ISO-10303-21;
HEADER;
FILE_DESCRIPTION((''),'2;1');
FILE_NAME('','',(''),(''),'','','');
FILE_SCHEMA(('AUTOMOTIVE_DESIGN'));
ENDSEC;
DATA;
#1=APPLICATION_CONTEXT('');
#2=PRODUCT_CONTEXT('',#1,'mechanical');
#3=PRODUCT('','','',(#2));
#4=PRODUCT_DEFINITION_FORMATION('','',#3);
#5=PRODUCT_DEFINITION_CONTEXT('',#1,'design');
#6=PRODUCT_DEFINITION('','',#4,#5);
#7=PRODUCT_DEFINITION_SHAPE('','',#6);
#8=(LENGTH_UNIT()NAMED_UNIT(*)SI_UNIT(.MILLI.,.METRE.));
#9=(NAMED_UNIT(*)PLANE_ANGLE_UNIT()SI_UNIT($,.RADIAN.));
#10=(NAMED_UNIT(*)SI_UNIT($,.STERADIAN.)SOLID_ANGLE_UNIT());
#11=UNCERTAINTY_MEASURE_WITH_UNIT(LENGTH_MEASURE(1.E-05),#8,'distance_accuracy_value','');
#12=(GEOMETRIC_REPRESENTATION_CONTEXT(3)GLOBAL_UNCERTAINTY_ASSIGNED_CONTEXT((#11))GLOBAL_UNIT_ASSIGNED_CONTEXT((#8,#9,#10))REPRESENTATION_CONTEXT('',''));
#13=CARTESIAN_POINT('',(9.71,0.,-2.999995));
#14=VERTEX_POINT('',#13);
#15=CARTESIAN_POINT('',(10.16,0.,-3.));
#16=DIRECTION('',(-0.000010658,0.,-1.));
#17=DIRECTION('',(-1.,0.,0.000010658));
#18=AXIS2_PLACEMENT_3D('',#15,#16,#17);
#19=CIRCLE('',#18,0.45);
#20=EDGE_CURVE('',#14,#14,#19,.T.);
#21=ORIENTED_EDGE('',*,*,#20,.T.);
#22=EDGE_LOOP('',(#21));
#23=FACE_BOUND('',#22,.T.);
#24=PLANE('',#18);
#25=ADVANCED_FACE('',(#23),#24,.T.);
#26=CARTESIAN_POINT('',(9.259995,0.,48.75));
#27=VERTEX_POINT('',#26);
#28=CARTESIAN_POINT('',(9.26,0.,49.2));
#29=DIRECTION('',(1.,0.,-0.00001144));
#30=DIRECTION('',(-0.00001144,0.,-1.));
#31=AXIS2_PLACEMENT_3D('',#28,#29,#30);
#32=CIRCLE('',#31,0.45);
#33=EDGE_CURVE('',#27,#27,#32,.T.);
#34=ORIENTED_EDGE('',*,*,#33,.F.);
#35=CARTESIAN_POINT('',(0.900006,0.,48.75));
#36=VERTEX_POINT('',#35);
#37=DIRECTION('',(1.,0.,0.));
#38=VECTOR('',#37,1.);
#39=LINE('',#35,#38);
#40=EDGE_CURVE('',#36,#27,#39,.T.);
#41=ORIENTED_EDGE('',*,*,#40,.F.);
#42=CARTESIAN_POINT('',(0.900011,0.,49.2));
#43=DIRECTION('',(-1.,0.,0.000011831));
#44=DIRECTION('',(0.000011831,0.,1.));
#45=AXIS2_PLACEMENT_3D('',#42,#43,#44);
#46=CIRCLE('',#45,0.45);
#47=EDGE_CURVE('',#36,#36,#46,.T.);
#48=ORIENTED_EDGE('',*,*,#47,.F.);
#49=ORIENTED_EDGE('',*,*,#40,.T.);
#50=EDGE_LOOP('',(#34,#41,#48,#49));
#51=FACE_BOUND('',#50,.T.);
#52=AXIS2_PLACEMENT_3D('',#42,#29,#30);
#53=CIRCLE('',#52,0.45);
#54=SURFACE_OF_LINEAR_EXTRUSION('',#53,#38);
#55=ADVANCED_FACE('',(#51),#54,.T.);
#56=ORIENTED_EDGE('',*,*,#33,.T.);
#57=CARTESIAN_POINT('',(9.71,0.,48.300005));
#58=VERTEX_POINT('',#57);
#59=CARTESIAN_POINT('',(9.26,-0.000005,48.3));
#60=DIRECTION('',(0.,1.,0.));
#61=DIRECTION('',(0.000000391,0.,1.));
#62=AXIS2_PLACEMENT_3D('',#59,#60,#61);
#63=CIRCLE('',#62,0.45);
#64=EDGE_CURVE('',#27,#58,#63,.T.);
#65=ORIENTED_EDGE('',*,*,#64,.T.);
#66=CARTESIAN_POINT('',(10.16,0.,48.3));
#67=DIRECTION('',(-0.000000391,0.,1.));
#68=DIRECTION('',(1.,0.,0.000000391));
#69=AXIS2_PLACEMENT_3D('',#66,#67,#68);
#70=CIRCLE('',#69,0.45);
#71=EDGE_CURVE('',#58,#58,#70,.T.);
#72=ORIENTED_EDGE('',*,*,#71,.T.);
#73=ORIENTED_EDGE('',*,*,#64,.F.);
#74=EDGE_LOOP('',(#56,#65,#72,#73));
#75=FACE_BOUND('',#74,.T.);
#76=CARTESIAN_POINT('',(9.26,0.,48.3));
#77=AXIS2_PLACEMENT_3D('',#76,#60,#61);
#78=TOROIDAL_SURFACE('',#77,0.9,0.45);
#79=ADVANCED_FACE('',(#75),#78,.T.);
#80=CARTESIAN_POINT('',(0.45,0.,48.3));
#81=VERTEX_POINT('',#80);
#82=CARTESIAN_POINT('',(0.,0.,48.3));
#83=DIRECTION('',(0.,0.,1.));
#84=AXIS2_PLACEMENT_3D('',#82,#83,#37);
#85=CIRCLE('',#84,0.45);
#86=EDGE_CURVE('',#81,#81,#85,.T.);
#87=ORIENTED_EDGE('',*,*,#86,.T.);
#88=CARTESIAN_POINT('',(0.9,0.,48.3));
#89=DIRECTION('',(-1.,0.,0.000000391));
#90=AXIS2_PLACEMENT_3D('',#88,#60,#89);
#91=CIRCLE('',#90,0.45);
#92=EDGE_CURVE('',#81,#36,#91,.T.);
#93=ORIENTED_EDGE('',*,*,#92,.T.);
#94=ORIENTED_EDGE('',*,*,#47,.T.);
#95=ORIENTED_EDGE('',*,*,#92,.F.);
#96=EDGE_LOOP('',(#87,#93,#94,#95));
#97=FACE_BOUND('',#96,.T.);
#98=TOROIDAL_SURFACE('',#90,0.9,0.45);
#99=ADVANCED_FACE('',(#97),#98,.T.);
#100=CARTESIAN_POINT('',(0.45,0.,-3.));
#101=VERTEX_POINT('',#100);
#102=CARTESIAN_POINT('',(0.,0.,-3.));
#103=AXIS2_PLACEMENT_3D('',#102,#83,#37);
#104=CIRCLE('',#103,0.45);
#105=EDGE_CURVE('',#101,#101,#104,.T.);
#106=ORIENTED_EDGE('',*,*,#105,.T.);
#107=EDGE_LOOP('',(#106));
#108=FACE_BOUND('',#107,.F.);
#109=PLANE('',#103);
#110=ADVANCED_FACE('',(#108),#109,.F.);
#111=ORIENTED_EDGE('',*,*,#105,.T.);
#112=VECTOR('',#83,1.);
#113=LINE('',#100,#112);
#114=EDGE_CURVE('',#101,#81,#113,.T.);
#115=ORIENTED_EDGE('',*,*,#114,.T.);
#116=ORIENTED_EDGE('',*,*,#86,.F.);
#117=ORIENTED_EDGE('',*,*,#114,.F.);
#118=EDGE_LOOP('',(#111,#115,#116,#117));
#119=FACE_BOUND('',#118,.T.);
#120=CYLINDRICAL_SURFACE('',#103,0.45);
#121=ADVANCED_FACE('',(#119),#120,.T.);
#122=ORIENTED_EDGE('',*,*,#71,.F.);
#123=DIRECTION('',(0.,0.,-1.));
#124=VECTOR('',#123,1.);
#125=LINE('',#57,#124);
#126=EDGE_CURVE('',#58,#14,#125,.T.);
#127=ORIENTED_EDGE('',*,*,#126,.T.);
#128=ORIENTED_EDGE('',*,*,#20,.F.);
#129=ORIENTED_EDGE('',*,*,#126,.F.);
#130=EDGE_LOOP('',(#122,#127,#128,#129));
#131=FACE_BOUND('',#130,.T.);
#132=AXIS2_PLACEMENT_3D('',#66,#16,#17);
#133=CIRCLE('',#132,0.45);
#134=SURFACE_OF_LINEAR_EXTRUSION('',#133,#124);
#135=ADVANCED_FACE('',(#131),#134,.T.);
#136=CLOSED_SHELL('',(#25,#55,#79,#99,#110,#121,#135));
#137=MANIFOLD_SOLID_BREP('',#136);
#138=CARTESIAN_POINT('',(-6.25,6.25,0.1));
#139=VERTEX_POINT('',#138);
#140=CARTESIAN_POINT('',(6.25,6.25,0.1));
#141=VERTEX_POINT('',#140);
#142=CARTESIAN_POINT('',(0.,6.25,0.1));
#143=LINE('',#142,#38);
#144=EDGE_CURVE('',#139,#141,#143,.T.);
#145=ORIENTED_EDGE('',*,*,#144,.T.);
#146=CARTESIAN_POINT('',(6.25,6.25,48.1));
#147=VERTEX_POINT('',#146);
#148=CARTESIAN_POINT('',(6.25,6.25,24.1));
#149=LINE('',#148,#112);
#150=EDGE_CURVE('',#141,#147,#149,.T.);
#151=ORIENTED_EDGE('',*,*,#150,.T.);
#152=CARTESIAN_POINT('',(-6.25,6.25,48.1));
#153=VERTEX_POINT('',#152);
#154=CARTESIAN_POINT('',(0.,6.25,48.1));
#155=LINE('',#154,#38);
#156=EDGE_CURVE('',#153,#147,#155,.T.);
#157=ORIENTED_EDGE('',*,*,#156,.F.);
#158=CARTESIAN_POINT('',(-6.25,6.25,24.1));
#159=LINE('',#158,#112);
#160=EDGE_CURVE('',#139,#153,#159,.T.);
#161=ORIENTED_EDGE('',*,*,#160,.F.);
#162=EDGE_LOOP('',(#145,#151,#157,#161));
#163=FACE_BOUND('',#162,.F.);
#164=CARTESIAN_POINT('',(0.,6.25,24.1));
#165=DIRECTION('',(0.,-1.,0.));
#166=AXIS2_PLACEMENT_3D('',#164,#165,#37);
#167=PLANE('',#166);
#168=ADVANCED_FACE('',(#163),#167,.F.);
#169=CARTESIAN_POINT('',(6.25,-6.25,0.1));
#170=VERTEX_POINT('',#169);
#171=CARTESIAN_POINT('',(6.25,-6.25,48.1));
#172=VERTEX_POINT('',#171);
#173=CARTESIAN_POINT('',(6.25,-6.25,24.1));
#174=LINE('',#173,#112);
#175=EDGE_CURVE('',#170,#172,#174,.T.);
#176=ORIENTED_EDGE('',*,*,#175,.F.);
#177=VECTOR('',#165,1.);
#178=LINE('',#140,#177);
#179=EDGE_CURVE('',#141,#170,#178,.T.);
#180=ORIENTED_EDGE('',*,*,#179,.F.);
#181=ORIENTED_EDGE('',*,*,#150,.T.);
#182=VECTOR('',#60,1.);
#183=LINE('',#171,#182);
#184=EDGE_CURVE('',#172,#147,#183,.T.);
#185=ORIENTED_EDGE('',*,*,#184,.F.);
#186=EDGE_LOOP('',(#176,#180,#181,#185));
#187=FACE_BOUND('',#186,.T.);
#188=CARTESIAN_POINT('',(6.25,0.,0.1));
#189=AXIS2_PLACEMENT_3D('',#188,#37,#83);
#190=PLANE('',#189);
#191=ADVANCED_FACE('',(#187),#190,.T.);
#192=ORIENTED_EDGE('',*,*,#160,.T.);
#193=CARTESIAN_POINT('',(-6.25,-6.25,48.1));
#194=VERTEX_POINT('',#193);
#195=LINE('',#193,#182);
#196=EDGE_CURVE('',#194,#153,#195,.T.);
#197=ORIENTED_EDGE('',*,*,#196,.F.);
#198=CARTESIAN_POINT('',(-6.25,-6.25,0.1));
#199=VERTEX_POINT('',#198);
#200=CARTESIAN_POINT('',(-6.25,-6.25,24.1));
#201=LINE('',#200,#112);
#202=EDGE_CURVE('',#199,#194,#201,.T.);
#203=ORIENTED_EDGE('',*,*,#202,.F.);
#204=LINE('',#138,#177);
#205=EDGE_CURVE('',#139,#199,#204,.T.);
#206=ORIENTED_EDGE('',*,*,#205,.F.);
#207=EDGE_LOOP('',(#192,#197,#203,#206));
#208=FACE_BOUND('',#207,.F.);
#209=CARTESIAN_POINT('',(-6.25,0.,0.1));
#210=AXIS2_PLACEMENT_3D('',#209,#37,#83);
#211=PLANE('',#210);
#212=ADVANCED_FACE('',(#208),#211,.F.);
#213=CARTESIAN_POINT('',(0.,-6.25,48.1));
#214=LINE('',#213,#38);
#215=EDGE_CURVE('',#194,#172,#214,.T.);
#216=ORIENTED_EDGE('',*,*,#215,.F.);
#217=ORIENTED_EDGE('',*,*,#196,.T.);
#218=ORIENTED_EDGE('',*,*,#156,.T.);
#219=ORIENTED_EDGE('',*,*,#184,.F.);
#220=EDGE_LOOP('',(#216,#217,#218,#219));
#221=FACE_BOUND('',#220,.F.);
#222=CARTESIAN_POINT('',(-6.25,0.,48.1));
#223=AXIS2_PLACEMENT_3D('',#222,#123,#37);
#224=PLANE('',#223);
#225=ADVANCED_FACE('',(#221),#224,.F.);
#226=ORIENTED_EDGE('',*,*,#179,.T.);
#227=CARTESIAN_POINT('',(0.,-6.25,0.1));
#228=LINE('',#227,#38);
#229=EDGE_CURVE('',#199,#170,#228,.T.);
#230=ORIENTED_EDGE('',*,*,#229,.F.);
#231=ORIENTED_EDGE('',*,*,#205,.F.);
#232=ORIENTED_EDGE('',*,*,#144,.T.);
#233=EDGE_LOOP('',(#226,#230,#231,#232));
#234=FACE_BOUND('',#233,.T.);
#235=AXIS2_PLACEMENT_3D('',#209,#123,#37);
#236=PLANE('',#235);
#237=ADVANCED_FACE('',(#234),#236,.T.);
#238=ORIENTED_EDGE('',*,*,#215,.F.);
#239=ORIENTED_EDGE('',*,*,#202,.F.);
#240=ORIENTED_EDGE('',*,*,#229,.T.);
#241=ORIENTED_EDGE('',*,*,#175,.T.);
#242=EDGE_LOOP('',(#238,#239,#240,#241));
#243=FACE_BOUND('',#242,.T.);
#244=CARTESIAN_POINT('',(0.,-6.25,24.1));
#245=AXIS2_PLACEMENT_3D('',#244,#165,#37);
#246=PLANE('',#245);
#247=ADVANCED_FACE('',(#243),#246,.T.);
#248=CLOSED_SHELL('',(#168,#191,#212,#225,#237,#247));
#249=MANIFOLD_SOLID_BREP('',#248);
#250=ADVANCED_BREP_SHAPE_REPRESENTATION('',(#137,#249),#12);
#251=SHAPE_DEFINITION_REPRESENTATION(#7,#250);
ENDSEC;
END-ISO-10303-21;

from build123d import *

# Parameters (mm, degrees)
SKETCH_R    = 0.45
SKETCH002_W = 12.5
SKETCH002_H = 48
PAD_DEPTH   = 6.25


with BuildPart() as sweep_body:
    # Sweep: sweep along a path in Sketch001
    with BuildLine(Plane.XZ) as sweep_path:
        Line((0, -3), (0, 48.3))
        ThreePointArc((0, 48.3), (0.263608, 48.9364), (0.900011, 49.2))
        Line((0.900011, 49.2), (9.26, 49.2))
        ThreePointArc((9.26, 49.2), (9.896396, 48.936396), (10.16, 48.3))
        Line((10.16, 48.3), (10.16, -3))
    # Sketch → Sweep (sweep)
    with BuildSketch(Plane.XY.offset(-2)):
        Circle(SKETCH_R)
    sweep(path=sweep_path.line)


with BuildPart() as pad:
    # Sketch002 → Pad (new body, symmetric)
    with BuildSketch(Plane.XZ):
        with Locations((0, 24.1)):
            Rectangle(SKETCH002_W, SKETCH002_H)
    extrude(amount=PAD_DEPTH, both=True)


solid = Compound([sweep_body.part, pad.part])
